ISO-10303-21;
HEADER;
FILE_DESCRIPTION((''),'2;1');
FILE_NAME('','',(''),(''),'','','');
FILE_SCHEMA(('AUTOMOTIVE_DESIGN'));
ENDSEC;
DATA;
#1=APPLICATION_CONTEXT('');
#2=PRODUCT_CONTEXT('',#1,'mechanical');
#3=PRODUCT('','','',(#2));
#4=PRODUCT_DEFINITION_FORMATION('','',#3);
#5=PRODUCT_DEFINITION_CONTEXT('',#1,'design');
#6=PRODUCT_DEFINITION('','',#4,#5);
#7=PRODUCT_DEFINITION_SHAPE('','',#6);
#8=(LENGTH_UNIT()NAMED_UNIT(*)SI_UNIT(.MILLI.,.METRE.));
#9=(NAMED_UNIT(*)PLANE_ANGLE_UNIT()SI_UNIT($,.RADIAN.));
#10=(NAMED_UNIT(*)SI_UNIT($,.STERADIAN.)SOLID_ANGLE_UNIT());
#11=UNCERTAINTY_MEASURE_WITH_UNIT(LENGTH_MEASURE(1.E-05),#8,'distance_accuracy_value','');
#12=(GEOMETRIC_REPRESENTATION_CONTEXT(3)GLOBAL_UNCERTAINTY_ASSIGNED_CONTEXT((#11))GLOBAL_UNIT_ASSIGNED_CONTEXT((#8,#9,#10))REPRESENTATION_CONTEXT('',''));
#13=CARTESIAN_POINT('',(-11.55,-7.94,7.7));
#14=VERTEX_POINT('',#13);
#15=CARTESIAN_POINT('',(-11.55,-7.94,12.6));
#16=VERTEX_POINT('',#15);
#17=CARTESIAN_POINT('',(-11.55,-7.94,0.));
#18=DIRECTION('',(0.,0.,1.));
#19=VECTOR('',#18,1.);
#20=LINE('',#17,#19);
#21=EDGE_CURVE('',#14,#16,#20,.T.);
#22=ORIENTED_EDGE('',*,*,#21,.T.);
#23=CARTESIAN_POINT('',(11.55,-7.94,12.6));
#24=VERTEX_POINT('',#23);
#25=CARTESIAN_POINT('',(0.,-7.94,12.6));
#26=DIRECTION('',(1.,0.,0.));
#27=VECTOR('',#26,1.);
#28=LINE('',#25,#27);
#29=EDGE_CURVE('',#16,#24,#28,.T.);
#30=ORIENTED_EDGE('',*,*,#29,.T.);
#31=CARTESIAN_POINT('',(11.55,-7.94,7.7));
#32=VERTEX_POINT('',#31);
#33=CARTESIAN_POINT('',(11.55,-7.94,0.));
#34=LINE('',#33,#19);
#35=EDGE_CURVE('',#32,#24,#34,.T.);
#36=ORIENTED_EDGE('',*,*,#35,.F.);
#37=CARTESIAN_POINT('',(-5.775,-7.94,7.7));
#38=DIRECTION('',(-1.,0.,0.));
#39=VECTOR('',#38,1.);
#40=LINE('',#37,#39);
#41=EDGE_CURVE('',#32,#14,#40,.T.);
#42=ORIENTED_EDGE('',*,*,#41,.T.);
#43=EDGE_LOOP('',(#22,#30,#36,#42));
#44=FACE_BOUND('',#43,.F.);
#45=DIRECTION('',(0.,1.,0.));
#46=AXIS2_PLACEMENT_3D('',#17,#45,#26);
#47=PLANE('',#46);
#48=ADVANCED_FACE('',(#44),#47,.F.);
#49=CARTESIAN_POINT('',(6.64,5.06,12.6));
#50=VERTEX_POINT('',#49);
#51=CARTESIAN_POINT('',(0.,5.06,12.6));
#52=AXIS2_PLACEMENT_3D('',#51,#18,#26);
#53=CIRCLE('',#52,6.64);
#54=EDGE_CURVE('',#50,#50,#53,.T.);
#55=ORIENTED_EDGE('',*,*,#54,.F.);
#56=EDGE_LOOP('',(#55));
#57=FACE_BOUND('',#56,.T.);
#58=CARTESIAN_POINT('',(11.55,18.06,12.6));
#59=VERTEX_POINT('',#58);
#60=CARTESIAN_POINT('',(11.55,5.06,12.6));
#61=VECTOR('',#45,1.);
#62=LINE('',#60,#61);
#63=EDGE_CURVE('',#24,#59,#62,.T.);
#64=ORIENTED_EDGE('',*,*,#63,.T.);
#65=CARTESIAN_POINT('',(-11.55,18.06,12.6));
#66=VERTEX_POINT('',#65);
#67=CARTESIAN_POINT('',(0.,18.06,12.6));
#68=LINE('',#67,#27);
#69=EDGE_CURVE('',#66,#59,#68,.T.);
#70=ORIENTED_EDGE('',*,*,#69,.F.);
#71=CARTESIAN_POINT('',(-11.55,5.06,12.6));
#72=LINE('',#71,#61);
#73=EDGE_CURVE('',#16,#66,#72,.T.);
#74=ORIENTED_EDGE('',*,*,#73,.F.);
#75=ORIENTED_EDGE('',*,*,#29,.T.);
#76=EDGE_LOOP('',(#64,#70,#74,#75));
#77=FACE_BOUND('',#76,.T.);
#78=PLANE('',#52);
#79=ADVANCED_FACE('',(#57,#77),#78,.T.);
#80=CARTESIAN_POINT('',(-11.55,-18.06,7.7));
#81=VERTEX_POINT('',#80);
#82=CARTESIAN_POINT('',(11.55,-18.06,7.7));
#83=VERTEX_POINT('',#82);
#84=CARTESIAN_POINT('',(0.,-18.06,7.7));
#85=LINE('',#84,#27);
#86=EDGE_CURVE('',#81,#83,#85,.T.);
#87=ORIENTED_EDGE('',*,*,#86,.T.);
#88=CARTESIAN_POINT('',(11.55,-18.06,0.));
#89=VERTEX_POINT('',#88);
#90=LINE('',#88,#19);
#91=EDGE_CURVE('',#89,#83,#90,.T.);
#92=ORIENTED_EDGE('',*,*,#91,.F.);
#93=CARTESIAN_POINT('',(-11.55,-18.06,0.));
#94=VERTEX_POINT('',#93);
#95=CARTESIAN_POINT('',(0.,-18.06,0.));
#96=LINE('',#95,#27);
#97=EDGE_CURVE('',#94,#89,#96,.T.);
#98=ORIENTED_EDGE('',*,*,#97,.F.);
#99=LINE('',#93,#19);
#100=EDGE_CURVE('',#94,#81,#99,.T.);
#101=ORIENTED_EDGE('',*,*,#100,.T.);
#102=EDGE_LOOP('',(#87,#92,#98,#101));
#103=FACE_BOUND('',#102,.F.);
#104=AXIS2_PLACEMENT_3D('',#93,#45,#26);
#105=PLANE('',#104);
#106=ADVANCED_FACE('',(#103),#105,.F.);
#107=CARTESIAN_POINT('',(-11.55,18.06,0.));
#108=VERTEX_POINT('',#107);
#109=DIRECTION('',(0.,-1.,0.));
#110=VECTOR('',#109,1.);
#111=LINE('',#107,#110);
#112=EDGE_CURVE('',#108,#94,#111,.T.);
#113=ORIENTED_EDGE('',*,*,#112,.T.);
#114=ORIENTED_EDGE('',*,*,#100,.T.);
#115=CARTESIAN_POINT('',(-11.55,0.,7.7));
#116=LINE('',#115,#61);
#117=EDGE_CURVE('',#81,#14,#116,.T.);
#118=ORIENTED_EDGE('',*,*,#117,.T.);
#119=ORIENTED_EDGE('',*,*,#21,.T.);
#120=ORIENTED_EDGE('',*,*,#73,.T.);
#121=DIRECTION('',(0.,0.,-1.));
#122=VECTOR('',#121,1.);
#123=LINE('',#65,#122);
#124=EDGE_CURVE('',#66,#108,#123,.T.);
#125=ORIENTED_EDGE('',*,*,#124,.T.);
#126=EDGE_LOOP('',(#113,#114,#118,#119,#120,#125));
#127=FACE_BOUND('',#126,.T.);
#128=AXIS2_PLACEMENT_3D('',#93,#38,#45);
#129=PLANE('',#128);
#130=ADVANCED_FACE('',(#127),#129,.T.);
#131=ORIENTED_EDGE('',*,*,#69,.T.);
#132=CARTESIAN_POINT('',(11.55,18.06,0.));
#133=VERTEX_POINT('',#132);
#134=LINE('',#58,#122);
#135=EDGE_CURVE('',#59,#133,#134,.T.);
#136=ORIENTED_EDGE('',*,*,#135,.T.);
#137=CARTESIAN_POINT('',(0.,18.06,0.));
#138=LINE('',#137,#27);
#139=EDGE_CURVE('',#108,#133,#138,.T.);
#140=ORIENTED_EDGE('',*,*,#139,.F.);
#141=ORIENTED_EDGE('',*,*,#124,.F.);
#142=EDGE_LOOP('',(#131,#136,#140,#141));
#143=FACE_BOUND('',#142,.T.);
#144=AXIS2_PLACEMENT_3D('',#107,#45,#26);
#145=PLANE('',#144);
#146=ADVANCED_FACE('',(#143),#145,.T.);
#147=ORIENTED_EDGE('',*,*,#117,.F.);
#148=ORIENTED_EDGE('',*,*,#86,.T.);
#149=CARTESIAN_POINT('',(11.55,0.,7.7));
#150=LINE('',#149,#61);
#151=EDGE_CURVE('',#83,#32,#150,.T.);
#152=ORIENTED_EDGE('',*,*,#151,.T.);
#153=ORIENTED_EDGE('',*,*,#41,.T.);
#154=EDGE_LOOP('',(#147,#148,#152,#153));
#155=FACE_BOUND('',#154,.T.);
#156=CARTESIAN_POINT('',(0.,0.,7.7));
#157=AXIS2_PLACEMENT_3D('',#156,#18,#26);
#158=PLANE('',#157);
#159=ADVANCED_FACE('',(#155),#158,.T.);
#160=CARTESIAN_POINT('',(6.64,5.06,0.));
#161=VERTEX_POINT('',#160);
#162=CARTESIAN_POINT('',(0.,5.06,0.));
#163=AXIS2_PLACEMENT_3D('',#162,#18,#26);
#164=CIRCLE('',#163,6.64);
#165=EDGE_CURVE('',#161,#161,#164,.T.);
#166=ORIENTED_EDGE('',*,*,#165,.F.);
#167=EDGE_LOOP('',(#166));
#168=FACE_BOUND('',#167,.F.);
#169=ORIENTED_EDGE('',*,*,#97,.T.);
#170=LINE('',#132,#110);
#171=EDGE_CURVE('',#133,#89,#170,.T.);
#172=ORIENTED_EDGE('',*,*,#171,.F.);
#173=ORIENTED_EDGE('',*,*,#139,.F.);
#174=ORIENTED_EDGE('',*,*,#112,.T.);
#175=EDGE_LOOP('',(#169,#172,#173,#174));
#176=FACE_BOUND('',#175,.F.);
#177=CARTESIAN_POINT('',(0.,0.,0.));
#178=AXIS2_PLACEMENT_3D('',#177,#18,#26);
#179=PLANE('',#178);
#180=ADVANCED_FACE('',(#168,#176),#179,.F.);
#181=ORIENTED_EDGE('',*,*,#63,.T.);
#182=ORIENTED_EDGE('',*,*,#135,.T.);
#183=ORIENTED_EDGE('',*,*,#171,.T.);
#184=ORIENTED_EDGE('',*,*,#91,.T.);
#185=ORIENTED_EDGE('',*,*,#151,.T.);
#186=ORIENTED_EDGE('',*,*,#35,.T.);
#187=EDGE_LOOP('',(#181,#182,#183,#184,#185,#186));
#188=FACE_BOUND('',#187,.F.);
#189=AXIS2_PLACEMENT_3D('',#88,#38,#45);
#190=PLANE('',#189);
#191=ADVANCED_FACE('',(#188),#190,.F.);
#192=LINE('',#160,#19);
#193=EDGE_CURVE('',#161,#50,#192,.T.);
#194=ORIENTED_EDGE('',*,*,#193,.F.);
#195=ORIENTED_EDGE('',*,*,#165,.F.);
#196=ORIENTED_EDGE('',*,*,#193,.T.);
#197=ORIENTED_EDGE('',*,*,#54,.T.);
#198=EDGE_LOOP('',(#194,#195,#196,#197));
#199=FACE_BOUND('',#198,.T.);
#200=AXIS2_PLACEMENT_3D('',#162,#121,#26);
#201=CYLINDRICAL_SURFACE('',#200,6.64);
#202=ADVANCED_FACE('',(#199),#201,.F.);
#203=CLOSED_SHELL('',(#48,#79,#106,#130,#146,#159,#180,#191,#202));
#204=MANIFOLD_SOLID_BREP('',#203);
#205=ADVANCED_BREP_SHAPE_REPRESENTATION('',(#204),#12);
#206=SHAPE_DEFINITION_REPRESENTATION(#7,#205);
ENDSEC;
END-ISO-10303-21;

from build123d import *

# Parameters (mm, degrees)
F0_W     = 23.1
F0_H     = 36.12
F2_DEPTH = 7.7
F1_W     = 23.1
F1_H     = 26
F3_DEPTH = 12.6
F4_R     = 6.64
F5_DEPTH = 12.6


with BuildPart() as f2:
    # F0 (on Top) → F2 (new body)
    with BuildSketch(Plane.XY):
        Rectangle(F0_W, F0_H)
    extrude(amount=F2_DEPTH)

    # F1 (on Top) → F3 (join)
    with BuildSketch(Plane.XY):
        with Locations((0, 5.06)):
            Rectangle(F1_W, F1_H)
    extrude(amount=F3_DEPTH)

    # F4 (on Top) → F5 (cut)
    with BuildSketch(Plane.XY):
        with Locations((0, 5.06)):
            Circle(F4_R)
    extrude(amount=F5_DEPTH, mode=Mode.SUBTRACT)


solid = f2.part
